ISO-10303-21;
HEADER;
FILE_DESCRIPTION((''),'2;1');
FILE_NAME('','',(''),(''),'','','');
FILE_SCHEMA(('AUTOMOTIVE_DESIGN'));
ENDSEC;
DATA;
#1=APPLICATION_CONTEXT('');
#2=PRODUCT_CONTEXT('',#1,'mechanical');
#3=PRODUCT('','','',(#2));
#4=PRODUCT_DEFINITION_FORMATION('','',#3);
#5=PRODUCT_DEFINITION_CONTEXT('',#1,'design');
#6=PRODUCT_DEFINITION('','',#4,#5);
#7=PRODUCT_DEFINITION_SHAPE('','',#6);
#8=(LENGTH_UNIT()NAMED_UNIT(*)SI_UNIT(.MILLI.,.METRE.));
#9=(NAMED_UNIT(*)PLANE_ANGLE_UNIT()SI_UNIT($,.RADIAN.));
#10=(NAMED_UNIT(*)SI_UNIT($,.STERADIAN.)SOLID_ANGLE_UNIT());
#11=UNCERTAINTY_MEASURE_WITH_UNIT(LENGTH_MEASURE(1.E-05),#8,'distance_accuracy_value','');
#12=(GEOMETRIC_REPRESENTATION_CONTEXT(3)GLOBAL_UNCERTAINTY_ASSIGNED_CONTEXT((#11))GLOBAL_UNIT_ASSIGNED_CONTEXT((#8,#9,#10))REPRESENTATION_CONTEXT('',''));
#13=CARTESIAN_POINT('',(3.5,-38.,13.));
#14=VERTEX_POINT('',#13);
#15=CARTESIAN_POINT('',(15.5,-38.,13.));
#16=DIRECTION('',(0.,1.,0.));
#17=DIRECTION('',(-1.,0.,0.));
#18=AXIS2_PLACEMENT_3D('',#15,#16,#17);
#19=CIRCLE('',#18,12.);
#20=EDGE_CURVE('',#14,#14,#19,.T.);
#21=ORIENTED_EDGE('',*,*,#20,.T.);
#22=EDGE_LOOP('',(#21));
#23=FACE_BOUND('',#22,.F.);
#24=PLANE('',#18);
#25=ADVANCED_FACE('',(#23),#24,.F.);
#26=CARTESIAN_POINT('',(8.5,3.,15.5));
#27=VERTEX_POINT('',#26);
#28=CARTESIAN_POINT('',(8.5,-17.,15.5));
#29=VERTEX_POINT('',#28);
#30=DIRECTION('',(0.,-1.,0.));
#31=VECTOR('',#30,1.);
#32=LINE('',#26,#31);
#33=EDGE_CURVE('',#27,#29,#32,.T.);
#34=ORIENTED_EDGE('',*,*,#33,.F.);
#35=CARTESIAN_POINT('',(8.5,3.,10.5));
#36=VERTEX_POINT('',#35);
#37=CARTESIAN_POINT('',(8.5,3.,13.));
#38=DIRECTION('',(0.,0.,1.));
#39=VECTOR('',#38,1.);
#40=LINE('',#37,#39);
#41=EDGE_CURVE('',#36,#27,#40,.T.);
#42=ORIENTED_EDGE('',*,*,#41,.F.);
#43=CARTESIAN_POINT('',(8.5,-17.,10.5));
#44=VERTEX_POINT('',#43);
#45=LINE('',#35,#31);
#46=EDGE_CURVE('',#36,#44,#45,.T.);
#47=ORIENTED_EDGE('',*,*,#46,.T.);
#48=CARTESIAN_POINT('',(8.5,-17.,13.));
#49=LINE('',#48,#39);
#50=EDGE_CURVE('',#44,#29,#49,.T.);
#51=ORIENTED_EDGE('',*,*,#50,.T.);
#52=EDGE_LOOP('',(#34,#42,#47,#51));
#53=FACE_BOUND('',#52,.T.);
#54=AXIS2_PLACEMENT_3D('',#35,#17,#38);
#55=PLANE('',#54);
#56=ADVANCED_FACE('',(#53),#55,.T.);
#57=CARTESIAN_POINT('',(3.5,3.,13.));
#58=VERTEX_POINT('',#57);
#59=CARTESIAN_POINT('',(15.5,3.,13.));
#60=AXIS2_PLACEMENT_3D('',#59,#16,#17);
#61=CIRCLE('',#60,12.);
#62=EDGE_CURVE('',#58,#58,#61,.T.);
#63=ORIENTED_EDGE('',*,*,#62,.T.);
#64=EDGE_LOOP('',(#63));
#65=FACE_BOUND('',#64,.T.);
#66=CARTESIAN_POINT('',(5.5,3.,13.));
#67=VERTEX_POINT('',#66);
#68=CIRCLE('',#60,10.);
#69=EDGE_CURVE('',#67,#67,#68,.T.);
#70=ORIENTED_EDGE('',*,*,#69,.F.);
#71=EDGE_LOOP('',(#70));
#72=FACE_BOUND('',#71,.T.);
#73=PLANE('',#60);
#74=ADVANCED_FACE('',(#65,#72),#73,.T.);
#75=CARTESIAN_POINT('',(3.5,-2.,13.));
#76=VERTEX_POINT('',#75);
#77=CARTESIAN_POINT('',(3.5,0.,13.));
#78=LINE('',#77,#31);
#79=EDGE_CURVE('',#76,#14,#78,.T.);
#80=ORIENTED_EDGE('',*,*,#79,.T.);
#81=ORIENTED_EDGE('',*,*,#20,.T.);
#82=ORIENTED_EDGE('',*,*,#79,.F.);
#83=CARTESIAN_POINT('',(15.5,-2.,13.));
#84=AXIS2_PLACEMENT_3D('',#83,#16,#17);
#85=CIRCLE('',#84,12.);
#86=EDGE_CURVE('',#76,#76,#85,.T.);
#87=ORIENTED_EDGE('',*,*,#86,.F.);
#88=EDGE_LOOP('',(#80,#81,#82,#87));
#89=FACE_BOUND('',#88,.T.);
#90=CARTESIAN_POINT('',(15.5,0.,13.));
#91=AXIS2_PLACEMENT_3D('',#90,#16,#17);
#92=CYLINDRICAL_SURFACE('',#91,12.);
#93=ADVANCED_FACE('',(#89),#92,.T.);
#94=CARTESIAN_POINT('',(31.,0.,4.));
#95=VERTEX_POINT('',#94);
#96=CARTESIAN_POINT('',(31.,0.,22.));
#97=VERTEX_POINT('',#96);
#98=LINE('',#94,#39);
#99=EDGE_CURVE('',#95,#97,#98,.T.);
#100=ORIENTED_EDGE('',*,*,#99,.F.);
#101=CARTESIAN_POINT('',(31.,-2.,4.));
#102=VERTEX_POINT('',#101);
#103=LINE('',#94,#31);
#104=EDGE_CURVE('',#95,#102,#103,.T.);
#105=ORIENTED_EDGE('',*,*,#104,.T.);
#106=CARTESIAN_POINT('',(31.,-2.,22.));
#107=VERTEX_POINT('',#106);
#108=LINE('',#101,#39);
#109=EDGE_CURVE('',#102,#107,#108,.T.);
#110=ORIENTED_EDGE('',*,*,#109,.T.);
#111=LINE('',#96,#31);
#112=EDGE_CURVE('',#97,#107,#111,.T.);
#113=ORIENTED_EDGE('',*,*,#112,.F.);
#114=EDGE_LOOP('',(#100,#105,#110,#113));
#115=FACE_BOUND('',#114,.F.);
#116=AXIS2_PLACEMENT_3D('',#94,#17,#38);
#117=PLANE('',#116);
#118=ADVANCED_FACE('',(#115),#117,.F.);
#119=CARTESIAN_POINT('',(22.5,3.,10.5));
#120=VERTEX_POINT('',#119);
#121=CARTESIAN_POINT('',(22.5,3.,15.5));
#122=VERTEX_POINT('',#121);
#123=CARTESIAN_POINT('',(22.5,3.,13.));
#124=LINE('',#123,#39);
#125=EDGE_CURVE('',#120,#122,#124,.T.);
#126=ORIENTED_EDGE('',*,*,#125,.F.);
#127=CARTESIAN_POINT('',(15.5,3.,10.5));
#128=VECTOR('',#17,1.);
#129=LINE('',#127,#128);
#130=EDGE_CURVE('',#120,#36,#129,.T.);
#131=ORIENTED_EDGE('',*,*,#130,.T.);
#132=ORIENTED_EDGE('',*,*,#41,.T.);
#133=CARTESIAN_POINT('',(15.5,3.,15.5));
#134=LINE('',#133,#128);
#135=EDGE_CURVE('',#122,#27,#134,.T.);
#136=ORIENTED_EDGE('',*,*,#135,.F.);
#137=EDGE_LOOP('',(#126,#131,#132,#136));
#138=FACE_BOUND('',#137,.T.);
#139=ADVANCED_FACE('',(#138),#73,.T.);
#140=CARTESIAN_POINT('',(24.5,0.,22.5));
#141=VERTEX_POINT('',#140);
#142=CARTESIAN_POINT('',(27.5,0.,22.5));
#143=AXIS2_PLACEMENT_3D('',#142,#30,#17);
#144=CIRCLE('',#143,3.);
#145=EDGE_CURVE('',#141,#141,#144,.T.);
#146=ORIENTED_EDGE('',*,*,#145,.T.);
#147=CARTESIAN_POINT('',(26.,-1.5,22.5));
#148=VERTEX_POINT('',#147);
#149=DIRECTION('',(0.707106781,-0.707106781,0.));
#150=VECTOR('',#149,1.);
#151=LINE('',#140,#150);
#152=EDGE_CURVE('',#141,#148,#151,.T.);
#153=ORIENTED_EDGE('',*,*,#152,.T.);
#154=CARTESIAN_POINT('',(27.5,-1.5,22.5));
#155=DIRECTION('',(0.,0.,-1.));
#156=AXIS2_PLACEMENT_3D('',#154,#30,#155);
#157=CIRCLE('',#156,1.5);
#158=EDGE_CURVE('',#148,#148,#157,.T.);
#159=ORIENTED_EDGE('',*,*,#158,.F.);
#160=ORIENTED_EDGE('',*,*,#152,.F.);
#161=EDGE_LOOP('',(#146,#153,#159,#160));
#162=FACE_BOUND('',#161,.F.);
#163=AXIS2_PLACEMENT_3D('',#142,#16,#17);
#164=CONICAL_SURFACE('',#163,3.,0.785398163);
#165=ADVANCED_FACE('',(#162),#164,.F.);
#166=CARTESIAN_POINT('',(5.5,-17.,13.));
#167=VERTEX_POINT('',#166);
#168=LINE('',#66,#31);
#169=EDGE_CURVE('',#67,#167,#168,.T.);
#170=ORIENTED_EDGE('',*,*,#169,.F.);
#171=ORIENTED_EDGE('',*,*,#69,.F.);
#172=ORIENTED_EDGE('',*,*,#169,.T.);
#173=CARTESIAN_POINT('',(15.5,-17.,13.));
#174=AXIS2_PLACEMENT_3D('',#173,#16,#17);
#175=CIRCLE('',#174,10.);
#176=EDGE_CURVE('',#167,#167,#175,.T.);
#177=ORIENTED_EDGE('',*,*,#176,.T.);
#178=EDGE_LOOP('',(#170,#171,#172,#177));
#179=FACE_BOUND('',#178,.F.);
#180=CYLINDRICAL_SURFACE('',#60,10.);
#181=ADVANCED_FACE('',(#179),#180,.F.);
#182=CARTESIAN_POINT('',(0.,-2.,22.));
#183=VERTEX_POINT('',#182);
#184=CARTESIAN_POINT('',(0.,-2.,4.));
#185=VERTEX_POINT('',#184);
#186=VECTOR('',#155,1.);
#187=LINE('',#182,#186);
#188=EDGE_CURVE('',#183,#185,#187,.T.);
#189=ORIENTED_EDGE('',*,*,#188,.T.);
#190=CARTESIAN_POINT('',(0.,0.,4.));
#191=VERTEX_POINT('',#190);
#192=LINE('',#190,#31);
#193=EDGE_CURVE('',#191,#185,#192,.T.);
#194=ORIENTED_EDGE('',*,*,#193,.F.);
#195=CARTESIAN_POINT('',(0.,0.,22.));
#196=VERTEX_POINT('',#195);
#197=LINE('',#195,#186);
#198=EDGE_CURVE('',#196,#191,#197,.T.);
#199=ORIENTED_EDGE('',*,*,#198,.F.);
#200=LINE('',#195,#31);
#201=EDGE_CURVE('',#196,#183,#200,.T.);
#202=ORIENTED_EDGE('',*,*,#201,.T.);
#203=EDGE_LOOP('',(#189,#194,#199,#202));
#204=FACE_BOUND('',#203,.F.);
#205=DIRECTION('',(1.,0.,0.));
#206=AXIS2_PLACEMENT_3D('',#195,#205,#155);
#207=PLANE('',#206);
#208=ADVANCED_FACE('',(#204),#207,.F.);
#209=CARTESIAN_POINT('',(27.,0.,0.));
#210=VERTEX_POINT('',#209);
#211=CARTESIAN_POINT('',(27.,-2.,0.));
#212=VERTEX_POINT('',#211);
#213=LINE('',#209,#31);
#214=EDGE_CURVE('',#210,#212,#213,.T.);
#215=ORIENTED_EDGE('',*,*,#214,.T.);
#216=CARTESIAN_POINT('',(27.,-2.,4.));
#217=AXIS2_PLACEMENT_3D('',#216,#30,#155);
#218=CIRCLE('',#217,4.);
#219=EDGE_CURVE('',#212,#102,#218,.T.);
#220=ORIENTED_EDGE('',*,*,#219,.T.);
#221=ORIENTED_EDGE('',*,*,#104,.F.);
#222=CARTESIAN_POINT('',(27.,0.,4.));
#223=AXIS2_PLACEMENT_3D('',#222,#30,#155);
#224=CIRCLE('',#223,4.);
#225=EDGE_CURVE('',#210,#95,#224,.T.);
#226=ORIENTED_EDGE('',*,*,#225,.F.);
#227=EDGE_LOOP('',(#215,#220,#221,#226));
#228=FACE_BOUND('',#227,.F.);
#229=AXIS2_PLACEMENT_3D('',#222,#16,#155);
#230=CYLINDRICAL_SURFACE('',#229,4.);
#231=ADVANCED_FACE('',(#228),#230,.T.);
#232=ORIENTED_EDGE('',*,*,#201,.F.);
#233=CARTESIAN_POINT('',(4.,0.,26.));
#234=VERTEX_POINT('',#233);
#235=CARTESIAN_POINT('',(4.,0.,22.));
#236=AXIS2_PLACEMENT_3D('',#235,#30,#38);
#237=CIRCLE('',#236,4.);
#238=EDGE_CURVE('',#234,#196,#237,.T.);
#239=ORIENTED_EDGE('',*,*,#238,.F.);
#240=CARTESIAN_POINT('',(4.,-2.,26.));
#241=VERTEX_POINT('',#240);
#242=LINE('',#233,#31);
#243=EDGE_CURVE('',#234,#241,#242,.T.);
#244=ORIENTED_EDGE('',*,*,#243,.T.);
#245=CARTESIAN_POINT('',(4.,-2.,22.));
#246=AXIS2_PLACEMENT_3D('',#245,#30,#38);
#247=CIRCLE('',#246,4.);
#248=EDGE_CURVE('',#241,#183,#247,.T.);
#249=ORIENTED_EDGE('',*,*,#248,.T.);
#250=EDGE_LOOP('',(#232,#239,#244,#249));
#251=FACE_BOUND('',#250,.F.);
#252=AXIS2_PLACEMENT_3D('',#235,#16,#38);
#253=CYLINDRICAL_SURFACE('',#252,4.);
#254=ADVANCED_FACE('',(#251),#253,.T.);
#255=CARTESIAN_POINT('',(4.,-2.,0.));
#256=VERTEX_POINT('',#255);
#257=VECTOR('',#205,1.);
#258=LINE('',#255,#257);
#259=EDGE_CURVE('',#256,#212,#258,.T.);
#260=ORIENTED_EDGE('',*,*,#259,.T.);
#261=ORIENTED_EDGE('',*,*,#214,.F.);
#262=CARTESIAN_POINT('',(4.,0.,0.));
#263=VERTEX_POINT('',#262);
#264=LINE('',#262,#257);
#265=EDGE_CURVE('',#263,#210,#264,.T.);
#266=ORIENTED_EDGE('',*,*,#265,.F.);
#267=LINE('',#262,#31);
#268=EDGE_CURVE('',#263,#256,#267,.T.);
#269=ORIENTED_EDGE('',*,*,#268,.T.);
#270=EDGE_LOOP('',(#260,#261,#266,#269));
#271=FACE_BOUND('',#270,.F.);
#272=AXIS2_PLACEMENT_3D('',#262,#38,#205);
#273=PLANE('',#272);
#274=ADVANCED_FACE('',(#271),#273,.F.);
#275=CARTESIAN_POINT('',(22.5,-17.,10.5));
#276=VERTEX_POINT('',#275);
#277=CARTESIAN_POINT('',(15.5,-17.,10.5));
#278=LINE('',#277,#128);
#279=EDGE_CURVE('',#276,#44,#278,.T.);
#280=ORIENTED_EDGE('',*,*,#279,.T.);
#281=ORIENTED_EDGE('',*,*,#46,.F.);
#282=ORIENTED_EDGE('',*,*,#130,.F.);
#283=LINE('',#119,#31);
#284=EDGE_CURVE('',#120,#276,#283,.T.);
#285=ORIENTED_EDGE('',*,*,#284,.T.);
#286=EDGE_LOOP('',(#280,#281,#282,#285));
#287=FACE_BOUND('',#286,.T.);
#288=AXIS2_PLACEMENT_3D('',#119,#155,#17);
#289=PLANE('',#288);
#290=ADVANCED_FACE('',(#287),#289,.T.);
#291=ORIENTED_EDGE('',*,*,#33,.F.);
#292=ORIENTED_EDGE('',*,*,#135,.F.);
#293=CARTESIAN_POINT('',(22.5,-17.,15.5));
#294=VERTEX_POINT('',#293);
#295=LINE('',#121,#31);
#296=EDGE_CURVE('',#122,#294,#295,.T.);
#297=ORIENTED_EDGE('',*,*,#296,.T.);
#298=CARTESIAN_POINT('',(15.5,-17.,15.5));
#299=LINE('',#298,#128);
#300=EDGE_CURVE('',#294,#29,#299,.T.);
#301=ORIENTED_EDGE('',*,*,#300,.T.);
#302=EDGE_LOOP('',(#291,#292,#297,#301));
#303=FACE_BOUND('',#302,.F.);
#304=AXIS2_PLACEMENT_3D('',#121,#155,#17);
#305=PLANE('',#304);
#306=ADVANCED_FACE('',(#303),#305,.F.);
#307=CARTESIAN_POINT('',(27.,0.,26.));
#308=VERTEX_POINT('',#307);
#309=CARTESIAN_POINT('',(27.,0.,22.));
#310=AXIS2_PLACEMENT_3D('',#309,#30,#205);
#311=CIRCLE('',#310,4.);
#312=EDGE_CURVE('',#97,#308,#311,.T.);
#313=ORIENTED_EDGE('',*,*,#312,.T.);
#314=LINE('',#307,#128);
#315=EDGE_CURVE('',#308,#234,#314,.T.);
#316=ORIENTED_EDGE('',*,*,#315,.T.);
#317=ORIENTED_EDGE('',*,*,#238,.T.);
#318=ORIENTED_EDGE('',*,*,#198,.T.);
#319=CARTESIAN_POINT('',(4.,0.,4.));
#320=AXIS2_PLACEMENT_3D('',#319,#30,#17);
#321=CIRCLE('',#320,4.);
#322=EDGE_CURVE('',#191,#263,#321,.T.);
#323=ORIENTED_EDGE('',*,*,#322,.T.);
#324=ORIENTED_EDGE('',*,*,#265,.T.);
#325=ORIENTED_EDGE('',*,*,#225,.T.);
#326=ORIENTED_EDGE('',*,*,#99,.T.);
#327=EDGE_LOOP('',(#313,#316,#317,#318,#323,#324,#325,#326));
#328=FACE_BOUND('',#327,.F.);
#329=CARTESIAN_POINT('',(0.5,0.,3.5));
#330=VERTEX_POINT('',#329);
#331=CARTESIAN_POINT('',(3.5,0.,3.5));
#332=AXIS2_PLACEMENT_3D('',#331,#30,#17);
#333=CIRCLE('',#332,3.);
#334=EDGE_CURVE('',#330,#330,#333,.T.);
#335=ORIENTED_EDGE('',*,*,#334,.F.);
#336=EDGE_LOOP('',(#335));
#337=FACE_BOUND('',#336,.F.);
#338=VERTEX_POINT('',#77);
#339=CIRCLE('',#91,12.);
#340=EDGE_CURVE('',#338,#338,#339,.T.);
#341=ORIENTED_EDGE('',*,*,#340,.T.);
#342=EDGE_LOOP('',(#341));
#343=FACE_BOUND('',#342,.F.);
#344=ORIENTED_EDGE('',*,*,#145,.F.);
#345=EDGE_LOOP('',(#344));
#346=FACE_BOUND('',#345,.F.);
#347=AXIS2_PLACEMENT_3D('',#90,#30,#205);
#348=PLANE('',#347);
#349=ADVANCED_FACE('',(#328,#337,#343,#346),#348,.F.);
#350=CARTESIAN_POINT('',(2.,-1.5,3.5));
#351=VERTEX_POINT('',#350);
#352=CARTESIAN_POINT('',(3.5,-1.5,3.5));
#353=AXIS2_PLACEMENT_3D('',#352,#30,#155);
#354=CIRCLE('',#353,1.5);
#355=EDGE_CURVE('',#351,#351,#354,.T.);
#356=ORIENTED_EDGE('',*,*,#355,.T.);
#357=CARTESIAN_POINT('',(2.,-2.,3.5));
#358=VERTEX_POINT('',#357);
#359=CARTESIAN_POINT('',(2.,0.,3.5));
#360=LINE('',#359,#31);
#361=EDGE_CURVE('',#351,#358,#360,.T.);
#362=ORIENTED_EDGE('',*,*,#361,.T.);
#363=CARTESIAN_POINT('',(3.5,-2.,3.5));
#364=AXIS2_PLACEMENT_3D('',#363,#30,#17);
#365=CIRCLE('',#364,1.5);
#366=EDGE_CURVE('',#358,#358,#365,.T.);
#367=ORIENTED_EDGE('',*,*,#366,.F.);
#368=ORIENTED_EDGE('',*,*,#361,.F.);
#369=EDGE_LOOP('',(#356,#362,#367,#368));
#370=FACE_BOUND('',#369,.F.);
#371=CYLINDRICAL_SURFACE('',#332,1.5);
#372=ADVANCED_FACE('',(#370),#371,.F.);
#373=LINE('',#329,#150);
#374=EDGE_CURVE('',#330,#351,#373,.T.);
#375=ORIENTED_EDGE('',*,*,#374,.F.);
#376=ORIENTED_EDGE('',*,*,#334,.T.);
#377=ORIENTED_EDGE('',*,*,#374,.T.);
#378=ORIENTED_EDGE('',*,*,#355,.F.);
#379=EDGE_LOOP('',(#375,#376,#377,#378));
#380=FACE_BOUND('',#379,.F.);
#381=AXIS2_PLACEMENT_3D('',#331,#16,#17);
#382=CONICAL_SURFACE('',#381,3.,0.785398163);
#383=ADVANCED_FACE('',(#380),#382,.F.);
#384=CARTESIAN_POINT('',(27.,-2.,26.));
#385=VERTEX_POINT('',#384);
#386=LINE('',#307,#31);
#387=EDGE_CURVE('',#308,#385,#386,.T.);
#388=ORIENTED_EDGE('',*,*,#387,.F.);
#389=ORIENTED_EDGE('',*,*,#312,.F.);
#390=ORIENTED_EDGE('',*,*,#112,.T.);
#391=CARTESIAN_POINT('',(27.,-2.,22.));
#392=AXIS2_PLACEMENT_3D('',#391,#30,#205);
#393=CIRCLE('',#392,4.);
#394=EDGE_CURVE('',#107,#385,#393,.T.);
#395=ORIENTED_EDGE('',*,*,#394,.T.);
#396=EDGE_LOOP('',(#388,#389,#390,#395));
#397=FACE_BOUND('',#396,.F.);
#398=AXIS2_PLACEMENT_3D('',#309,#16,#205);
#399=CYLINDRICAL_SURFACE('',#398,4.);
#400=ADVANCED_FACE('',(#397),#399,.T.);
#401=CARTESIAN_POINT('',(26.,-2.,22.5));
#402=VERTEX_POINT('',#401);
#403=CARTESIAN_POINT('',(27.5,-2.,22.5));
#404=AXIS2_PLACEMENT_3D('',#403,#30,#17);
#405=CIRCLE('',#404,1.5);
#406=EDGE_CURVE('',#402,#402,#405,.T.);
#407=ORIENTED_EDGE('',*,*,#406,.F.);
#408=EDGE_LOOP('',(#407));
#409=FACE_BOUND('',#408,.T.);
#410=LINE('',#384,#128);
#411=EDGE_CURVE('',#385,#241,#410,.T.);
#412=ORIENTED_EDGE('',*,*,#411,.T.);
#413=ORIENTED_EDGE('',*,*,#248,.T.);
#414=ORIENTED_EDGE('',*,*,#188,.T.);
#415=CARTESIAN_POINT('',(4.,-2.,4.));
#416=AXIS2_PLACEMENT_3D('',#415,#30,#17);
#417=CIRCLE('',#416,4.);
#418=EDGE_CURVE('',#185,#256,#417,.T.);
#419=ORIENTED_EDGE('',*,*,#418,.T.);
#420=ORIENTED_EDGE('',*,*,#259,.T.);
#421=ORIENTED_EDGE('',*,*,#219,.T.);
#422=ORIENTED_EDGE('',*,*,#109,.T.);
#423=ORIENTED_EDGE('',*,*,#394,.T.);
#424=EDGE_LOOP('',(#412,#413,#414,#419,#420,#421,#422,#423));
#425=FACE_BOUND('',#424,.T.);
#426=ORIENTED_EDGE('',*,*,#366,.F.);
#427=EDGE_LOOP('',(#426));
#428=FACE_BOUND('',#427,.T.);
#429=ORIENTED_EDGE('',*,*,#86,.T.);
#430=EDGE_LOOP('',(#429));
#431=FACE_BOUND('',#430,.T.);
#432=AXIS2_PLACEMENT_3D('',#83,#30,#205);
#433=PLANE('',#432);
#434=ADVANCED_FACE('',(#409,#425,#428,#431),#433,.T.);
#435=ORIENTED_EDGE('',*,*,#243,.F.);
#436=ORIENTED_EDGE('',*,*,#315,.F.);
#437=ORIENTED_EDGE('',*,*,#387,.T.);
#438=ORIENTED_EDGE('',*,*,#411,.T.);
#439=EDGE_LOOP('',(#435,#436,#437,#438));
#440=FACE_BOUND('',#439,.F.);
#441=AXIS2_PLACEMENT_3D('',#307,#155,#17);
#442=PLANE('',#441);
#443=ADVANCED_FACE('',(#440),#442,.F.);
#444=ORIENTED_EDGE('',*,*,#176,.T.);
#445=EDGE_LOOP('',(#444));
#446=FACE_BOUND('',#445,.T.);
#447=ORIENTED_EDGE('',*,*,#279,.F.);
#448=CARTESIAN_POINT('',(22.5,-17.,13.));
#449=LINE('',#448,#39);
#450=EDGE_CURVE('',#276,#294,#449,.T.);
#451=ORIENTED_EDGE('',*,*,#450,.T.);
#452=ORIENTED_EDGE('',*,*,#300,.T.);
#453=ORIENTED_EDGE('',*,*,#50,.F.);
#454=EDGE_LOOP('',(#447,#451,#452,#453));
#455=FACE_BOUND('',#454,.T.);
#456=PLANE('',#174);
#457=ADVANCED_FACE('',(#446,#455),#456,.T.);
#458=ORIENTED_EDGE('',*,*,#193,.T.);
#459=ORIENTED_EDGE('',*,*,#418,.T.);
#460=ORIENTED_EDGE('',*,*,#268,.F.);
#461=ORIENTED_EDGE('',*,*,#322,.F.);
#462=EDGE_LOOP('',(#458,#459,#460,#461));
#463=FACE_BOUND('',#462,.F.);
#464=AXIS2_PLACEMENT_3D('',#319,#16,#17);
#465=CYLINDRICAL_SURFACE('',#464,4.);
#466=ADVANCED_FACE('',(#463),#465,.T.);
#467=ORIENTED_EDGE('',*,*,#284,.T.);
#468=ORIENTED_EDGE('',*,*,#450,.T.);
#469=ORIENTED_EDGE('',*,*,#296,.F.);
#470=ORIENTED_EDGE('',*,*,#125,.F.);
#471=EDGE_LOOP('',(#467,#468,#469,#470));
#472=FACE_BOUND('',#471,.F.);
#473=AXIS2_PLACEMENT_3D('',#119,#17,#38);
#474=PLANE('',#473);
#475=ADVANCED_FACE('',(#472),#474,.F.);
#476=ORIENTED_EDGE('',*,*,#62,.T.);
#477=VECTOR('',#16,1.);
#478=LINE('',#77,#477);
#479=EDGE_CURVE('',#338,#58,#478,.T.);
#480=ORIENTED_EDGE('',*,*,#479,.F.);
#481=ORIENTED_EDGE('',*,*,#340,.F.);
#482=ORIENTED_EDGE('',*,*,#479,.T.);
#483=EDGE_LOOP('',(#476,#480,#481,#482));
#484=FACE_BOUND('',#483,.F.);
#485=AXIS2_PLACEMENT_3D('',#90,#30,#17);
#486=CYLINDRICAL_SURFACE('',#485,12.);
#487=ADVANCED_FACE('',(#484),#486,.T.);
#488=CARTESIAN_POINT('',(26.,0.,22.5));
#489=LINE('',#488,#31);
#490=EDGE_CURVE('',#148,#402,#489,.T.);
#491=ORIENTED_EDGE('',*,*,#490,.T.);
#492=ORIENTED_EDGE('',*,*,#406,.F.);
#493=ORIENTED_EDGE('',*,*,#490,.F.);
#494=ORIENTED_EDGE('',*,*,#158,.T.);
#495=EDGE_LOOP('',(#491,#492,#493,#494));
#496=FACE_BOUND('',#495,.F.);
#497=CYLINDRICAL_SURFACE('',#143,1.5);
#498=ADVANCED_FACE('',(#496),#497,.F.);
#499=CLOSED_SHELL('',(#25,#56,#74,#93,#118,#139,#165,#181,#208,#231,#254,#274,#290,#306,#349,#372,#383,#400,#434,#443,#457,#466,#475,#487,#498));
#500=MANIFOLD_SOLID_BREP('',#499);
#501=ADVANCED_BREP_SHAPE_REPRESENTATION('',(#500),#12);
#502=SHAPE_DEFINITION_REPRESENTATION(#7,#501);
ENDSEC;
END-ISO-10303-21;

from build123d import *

# Parameters (mm, degrees)
F1_DEPTH       = 2
F2_D           = 3
F2_CSINK_D     = 6
F2_CSINK_ANGLE = 90
F3_R           = 12
F4_DEPTH       = 3
F5_DEPTH       = 38
F6_R           = 10
F6_W           = 14
F6_H           = 5
F7_DEPTH       = 20


with BuildPart() as f1:
    # F0 (on Front) → F1 (new body)
    with BuildSketch(Plane.XZ):
        with BuildLine():
            ThreePointArc((0, 4), (1.1715728753, 1.1715728753), (4, 0))
            Line((4, 0), (27, 0))
            ThreePointArc((27, 0), (29.8284271247, 1.1715728753), (31, 4))
            Line((31, 4), (31, 22))
            ThreePointArc((31, 22), (29.8284271247, 24.8284271247), (27, 26))
            Line((27, 26), (4, 26))
            ThreePointArc((4, 26), (1.1715728753, 24.8284271247), (0, 22))
            Line((0, 22), (0, 4))
        make_face()
    extrude(amount=F1_DEPTH)

    # F2 (through all)
    with Locations(Plane(origin=(0, 0, 0), x_dir=(1, 0, 0), z_dir=(0, 1, 0))):
        with Locations((27.5, -22.5), (3.5, -3.5)):
            CounterSinkHole(F2_D / 2, F2_CSINK_D / 2, counter_sink_angle=F2_CSINK_ANGLE)

    # F3 (on face) → F4 (join)
    with BuildSketch(Plane(origin=(0, 0, 0), x_dir=(-1, 0, 0), z_dir=(0, 1, 0))):
        with Locations((-15.5, 13)):
            Circle(F3_R)
    extrude(amount=F4_DEPTH)

    # F3 (on face) → F5 (join)
    with BuildSketch(Plane(origin=(0, 0, 0), x_dir=(-1, 0, 0), z_dir=(0, 1, 0))):
        with Locations((-15.5, 13)):
            Circle(F3_R)
    extrude(amount=-F5_DEPTH)

    # F6 (on face) → F7 (cut)
    with BuildSketch(Plane(origin=(0, 3, 0), x_dir=(-1, 0, 0), z_dir=(0, 1, 0))):
        with Locations((-15.5, 13)):
            Circle(F6_R)
        with Locations((-15.5, 13)):
            Rectangle(F6_W, F6_H, mode=Mode.SUBTRACT)
    extrude(amount=-F7_DEPTH, mode=Mode.SUBTRACT)


solid = f1.part
